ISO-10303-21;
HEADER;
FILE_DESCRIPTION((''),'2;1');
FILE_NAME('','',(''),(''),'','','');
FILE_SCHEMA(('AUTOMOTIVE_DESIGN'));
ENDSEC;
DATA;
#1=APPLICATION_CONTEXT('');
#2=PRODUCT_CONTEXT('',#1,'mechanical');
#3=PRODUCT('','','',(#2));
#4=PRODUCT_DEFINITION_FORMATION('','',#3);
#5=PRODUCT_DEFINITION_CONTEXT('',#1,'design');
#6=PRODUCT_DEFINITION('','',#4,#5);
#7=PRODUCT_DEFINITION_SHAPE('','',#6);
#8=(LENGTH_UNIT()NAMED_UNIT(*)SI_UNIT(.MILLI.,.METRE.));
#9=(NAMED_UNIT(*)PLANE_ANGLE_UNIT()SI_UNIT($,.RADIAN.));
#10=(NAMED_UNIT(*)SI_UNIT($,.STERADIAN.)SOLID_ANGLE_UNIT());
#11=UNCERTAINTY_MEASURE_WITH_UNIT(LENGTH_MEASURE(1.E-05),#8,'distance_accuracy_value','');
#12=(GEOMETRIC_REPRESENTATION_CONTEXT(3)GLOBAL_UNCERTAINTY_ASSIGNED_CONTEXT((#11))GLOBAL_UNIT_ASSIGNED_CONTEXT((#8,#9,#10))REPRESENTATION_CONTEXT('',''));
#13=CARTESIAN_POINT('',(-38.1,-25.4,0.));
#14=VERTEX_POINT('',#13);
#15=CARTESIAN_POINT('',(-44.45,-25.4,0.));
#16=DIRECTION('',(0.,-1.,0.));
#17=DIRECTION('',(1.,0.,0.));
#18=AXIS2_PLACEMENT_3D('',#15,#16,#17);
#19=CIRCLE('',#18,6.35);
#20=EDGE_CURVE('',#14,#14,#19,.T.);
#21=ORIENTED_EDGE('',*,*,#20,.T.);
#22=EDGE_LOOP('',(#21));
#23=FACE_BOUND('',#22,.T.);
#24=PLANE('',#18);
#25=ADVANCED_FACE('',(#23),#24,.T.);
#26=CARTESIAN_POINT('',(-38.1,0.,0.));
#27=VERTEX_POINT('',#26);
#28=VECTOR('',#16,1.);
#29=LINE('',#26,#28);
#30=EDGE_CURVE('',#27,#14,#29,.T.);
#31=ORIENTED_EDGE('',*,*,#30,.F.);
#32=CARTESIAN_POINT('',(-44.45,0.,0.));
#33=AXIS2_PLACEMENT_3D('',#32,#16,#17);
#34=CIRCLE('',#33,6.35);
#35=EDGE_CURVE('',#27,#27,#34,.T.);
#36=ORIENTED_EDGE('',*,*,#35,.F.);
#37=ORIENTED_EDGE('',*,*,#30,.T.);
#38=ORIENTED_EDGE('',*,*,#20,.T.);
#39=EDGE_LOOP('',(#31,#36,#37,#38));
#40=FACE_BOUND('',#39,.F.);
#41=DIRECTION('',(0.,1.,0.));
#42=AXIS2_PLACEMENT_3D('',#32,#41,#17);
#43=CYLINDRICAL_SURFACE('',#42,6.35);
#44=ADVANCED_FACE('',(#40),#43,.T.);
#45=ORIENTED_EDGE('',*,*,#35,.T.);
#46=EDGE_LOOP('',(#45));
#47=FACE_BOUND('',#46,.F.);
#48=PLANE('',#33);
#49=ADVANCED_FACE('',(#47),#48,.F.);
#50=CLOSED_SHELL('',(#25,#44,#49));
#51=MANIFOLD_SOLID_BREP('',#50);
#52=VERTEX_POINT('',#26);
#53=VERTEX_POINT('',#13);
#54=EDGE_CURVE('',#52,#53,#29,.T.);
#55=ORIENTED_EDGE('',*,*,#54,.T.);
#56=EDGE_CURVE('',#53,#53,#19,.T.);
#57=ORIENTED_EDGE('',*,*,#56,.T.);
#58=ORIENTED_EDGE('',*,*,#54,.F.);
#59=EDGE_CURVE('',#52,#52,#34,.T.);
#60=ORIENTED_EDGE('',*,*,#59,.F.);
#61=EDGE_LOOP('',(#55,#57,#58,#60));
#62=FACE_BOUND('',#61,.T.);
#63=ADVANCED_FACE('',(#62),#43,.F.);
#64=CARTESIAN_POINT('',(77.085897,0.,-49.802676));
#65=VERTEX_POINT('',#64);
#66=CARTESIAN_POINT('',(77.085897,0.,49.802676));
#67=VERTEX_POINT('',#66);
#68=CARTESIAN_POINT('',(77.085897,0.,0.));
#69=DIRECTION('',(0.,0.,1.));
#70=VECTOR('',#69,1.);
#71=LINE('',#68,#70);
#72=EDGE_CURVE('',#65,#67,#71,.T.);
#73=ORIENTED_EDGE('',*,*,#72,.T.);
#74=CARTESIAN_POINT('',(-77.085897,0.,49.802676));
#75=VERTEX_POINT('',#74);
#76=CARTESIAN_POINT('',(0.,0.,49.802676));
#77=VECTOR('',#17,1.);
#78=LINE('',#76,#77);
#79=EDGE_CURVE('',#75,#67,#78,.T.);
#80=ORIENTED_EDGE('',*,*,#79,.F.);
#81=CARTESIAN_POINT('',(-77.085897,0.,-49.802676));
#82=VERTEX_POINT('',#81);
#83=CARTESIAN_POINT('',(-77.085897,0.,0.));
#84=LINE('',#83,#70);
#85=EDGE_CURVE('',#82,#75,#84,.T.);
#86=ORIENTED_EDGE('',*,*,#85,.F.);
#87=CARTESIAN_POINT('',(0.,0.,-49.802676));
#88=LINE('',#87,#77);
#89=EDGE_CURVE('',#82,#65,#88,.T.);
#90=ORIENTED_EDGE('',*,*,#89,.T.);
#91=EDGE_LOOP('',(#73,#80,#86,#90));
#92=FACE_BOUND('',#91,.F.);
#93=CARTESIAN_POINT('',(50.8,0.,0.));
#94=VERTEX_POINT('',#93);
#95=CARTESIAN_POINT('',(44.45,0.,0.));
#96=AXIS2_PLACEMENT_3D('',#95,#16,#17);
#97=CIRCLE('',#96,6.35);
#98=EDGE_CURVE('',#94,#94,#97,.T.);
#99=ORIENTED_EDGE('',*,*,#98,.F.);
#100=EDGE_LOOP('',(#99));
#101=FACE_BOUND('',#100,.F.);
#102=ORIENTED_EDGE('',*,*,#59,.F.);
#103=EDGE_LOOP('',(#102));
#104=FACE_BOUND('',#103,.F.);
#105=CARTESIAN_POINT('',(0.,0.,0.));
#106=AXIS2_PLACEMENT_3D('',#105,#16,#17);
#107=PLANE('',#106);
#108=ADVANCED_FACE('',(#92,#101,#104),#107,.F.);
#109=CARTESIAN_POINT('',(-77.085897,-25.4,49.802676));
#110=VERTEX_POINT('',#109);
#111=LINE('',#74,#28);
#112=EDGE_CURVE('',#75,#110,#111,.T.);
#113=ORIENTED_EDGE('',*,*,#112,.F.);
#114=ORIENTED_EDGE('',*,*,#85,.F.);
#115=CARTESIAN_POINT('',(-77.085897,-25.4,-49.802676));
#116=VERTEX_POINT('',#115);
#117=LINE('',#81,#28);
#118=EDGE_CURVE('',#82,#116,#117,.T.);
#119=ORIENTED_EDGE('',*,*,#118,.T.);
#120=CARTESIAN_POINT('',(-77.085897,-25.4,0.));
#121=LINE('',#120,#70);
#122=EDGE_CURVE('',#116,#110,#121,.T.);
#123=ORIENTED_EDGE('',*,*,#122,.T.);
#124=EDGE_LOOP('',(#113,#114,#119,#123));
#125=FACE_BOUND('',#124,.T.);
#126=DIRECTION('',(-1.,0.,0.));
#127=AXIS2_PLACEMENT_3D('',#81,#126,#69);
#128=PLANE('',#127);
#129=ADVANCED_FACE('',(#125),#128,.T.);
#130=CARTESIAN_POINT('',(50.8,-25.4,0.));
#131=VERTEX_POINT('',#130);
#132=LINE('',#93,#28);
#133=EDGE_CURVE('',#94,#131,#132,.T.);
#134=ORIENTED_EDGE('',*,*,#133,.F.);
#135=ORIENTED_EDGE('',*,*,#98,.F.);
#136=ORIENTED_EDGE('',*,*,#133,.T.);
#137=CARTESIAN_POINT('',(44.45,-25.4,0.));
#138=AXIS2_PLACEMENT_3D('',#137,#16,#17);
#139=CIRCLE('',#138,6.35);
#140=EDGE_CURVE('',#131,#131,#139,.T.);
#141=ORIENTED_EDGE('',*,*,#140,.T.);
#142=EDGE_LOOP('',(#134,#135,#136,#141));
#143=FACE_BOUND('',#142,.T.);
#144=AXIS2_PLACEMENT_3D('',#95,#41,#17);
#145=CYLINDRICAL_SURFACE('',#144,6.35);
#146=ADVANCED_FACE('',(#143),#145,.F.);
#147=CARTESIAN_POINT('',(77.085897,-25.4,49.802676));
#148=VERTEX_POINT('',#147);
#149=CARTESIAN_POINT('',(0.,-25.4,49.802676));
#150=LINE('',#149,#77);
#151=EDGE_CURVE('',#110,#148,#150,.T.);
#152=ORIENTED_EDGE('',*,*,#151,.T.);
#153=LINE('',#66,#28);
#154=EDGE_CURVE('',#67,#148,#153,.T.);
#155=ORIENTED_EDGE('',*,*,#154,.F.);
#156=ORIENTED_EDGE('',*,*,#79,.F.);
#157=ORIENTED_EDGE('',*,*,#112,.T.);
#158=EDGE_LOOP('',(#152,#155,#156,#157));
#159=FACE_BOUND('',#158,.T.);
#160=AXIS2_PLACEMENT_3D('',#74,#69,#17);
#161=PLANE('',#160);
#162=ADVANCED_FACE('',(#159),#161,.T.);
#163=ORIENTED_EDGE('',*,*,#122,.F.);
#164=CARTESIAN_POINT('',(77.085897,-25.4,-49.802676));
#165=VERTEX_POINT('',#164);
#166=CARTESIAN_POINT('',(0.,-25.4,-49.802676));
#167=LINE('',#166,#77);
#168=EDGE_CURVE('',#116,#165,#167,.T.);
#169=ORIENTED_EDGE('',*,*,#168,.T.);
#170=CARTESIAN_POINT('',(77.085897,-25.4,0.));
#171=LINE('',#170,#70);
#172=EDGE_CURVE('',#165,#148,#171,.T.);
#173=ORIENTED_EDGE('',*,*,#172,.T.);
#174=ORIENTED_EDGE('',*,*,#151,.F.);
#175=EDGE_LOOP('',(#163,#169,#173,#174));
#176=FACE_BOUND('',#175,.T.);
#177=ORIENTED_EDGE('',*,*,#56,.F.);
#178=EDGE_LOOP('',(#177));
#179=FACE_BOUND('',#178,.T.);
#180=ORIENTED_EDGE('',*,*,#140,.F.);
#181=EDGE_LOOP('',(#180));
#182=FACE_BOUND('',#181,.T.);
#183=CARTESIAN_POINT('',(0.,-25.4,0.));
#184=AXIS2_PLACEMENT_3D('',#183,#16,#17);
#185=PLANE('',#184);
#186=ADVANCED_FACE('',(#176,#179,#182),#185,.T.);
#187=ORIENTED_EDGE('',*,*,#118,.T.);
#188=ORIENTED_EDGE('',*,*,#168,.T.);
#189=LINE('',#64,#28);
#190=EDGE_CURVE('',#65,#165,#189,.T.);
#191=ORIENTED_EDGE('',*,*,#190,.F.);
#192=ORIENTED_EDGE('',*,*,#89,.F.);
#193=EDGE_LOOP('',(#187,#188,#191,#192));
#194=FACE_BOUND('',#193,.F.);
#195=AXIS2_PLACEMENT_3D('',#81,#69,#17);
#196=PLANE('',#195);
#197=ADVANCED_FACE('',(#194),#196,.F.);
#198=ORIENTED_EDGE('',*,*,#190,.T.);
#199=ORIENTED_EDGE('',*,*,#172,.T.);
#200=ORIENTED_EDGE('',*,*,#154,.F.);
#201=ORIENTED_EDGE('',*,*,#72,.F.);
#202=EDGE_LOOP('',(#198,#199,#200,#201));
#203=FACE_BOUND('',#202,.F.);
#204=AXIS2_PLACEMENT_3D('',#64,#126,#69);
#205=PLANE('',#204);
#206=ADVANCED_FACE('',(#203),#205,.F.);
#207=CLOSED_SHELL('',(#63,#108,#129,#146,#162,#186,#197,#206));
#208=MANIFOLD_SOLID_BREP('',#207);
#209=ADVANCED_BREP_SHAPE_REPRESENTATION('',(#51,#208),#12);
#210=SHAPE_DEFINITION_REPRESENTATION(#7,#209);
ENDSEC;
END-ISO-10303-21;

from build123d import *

# Parameters (mm, degrees)
F0_W     = 154.171794
F0_H     = 99.605352
F0_R     = 6.35
F1_DEPTH = 25.4
F2_DEPTH = 25.4


with BuildPart() as f1:
    # F0 (on Front) → F1 (new body)
    with BuildSketch(Plane.XZ):
        Rectangle(F0_W, F0_H)
        with Locations((-44.45, 0)):
            Circle(F0_R, mode=Mode.SUBTRACT)
        with Locations((44.45, 0)):
            Circle(F0_R, mode=Mode.SUBTRACT)
    extrude(amount=F1_DEPTH)


with BuildPart() as f2:
    # F0 (on Front) → F2 (new body)
    with BuildSketch(Plane.XZ):
        with Locations((-44.45, 0)):
            Circle(F0_R)
    extrude(amount=F2_DEPTH)


solid = Compound([f1.part, f2.part])
